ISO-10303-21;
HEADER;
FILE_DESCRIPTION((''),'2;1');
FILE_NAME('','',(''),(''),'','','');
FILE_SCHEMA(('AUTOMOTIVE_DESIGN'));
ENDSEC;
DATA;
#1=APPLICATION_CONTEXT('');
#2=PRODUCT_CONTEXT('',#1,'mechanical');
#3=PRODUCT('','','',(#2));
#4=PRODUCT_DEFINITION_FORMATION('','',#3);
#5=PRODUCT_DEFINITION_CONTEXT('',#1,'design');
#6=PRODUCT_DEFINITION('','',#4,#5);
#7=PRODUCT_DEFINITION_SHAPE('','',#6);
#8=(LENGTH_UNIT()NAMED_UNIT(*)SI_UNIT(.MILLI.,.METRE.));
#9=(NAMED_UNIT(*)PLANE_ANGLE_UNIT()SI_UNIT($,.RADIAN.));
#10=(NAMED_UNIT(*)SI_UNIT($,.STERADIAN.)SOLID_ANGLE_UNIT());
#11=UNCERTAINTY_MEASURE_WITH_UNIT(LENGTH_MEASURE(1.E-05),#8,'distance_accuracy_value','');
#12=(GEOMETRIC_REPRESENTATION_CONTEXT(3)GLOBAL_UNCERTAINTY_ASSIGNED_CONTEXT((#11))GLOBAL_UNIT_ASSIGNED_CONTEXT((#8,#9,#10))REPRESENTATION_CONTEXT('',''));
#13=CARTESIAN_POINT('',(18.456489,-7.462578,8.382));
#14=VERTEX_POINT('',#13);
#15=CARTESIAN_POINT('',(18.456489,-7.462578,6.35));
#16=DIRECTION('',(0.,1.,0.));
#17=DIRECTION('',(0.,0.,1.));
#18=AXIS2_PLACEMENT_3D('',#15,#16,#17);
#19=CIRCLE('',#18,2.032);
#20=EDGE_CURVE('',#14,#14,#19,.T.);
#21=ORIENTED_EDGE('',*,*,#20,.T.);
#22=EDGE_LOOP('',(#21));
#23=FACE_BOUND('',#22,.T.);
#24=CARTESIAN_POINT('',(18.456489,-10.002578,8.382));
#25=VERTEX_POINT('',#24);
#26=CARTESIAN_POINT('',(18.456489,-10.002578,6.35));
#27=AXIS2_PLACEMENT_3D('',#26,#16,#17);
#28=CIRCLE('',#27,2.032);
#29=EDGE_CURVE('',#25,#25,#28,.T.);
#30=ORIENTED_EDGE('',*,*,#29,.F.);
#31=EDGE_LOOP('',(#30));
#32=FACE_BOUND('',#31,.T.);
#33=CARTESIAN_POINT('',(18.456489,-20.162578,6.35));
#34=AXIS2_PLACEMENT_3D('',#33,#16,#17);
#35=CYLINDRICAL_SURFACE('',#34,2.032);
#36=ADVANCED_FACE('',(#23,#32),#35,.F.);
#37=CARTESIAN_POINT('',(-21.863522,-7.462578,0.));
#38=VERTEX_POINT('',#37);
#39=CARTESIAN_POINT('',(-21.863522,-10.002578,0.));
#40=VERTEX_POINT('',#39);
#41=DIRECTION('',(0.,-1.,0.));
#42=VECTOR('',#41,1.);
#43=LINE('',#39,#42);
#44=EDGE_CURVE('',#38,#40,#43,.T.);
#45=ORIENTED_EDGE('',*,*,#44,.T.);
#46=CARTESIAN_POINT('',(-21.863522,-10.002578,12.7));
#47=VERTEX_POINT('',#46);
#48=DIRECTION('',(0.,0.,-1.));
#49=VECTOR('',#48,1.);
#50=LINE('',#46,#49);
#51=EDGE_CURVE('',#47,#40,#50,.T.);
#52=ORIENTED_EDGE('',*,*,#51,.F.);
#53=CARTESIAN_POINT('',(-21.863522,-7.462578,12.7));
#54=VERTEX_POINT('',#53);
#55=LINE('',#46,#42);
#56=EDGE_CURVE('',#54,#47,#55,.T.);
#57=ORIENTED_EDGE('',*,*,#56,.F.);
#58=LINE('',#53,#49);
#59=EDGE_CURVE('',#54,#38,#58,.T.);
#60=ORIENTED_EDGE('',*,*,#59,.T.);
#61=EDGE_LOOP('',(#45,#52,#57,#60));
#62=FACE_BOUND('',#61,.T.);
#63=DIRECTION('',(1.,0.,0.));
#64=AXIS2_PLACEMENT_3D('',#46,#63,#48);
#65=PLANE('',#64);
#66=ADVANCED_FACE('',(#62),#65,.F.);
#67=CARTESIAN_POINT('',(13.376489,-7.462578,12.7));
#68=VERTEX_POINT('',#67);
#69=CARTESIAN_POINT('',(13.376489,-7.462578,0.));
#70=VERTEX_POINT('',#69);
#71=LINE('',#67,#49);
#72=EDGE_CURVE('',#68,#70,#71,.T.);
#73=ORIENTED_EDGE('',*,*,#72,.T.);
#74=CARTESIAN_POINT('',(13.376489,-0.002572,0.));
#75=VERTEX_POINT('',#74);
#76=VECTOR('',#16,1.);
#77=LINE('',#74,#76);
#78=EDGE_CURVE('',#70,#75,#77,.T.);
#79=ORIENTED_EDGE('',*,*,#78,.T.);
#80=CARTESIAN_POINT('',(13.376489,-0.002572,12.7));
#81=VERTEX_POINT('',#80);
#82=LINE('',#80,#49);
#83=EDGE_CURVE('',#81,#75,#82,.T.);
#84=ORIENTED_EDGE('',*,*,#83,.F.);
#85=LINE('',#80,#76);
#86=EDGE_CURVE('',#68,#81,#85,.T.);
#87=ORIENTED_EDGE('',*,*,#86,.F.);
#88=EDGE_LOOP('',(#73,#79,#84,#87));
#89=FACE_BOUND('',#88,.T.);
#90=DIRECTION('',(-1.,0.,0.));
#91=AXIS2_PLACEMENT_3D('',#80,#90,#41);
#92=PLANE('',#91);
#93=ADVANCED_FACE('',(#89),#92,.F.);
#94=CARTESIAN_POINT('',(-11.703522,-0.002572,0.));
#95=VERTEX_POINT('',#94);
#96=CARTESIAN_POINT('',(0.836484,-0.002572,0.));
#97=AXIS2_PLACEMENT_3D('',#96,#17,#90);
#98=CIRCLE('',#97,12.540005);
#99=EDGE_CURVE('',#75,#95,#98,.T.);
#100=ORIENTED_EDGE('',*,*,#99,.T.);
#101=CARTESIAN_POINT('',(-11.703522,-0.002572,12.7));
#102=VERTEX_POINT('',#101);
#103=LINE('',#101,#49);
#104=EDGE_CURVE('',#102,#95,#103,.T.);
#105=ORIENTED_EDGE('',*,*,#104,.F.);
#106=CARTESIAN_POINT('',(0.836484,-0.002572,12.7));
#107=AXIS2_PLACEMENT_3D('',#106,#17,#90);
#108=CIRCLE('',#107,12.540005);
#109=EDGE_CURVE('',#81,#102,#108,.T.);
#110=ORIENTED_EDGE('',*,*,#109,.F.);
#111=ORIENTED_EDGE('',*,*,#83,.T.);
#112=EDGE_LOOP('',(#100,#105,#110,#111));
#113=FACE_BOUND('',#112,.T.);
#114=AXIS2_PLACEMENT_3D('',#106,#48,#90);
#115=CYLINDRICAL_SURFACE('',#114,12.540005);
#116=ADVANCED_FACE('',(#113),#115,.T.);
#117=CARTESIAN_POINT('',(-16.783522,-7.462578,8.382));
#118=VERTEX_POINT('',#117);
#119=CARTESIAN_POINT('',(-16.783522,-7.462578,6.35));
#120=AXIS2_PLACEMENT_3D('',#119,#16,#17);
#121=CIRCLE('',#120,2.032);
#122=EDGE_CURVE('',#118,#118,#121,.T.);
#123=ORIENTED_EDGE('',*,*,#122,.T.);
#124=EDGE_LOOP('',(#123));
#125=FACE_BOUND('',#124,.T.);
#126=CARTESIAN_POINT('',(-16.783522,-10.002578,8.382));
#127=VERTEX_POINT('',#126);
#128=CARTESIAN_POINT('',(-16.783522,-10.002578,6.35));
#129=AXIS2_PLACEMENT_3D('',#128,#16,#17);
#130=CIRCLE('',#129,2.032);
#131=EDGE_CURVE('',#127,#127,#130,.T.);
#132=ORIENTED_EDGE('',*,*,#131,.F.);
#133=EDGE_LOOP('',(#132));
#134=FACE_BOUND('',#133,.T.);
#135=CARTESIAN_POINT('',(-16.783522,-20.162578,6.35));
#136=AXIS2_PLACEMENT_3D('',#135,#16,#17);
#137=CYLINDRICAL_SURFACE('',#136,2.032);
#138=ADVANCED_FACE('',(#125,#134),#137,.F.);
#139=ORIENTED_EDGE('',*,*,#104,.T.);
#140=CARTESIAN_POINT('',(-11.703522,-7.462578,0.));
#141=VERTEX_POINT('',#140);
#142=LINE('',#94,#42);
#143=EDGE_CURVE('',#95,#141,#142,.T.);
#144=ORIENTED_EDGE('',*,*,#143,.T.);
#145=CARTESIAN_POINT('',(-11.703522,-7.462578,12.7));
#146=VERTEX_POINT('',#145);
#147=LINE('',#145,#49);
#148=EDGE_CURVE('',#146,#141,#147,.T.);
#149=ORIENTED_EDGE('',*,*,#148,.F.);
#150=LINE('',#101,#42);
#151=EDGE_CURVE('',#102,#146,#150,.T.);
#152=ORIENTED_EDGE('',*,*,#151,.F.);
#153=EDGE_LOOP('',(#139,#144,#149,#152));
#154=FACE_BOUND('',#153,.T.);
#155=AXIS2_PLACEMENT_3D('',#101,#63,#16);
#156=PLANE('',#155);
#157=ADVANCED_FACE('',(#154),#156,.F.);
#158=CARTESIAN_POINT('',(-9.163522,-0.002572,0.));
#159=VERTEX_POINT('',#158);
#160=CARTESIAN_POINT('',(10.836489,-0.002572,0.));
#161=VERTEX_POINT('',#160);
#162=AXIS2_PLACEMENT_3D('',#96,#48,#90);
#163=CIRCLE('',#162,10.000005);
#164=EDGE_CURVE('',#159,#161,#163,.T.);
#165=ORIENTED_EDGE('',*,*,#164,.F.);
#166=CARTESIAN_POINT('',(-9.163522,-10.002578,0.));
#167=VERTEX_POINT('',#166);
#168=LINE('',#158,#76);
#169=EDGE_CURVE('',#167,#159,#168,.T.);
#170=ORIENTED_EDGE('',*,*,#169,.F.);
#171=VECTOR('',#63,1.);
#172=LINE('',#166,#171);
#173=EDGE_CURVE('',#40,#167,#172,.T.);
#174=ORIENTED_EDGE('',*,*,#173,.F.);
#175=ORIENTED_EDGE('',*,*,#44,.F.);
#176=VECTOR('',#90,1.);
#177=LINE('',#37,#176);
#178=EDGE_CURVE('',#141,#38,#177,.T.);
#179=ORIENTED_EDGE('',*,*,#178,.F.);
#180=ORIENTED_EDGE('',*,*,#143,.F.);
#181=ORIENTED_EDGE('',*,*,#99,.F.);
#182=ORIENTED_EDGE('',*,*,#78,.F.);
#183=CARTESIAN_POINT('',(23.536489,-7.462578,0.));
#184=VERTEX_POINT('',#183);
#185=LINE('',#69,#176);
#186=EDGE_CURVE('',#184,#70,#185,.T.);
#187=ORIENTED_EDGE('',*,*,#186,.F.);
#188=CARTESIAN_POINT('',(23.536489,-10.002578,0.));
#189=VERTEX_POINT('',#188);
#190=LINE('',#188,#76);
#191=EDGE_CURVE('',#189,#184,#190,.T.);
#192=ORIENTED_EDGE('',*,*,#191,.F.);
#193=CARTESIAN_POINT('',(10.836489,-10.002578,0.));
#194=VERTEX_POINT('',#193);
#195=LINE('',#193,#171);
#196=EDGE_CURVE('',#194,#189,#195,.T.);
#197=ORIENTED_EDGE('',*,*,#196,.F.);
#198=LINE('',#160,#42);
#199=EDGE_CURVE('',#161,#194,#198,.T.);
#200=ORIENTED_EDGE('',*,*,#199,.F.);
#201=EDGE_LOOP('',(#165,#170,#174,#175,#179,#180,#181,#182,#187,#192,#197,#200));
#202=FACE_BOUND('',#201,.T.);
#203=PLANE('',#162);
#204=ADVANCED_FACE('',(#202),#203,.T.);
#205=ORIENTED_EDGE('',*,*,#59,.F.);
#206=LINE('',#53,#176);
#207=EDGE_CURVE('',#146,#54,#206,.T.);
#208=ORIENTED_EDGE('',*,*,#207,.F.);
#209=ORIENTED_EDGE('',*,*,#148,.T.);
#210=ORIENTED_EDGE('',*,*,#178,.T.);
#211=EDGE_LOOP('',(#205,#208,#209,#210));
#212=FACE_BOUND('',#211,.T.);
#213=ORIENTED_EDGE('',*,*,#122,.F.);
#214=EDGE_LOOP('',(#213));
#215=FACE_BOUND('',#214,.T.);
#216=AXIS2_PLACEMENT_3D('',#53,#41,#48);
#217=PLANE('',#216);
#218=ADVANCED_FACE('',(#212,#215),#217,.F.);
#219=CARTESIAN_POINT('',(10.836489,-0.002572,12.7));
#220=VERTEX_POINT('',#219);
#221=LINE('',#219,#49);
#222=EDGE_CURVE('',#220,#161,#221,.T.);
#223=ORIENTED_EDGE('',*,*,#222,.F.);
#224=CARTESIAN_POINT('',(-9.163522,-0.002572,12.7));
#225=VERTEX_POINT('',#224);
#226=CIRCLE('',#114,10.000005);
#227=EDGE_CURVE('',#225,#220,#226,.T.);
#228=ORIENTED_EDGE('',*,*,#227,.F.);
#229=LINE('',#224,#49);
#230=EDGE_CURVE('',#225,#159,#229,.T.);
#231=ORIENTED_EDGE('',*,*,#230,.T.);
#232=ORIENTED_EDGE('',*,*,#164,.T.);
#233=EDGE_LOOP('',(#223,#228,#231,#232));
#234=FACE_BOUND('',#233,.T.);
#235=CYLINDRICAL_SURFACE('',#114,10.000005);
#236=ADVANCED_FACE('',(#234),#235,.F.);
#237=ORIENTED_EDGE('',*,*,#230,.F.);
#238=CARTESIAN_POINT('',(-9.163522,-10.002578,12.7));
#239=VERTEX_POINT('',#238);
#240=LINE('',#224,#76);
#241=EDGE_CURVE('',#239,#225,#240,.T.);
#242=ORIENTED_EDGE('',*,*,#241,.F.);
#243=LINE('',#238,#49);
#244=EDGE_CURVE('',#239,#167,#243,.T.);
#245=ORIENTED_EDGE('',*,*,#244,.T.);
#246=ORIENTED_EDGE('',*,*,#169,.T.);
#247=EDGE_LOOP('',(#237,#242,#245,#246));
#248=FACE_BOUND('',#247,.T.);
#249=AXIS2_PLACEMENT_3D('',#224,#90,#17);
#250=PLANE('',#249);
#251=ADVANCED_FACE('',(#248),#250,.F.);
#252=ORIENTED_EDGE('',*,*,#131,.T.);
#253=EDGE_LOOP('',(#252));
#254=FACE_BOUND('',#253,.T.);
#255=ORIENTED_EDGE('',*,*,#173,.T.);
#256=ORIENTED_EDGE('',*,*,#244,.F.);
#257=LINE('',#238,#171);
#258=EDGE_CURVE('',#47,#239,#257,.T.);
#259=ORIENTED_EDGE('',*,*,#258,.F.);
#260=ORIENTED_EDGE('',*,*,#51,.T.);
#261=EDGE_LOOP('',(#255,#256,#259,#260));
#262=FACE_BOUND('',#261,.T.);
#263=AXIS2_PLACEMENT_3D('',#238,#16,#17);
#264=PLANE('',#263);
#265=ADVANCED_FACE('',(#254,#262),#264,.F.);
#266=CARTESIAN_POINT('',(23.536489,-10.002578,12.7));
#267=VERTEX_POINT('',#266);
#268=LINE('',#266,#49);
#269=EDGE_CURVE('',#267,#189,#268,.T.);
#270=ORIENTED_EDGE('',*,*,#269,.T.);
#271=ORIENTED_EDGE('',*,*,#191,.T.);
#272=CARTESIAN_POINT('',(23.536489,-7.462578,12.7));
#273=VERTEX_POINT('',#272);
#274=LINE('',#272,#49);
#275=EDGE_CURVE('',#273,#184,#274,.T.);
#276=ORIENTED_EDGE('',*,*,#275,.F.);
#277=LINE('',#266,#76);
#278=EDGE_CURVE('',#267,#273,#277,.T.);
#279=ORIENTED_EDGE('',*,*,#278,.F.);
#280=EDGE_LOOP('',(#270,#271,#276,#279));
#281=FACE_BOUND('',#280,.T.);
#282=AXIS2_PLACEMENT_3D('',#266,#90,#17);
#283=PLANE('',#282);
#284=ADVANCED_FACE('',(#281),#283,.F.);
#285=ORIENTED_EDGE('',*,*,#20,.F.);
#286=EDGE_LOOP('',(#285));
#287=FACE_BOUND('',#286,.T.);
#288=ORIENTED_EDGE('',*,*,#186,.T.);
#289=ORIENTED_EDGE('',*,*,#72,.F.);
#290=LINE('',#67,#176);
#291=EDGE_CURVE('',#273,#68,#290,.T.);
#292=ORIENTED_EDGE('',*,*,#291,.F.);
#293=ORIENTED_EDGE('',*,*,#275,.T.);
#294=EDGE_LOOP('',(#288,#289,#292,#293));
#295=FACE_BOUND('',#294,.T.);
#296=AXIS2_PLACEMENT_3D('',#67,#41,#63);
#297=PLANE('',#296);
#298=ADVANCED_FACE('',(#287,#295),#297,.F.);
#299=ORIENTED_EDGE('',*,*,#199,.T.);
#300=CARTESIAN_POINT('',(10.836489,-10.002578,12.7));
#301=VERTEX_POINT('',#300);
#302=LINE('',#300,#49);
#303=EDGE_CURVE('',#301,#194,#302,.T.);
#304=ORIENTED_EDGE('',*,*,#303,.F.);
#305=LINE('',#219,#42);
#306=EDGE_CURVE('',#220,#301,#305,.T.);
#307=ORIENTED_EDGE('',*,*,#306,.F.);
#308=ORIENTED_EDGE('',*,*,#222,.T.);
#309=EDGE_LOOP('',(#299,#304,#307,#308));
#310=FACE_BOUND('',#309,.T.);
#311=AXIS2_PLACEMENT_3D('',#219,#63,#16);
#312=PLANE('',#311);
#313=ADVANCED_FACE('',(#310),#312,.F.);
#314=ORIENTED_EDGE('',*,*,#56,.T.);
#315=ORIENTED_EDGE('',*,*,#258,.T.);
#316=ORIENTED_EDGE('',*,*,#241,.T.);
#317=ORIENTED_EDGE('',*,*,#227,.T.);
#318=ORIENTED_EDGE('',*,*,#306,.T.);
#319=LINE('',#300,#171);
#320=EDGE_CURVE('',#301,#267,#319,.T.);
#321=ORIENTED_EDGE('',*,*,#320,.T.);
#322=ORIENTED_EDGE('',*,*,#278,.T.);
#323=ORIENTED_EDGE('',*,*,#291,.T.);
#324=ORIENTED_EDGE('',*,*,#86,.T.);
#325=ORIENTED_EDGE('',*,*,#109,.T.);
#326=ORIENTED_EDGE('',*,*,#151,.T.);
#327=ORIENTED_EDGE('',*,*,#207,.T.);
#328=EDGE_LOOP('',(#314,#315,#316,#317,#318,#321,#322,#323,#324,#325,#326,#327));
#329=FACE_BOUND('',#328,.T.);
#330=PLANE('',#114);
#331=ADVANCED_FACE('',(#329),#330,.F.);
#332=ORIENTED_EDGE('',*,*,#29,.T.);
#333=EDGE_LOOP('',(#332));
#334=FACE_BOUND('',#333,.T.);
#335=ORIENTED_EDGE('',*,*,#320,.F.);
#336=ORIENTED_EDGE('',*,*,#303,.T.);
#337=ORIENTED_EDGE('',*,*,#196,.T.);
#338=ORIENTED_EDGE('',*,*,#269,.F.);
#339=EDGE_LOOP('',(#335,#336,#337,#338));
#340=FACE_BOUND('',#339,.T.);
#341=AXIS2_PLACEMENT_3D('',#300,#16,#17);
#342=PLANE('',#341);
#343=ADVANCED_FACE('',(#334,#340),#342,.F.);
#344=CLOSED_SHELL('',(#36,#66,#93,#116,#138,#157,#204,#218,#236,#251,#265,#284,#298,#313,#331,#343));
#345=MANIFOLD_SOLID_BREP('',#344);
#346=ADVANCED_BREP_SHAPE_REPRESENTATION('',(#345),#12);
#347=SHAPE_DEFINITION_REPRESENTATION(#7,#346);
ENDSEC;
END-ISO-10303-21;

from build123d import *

# Parameters (mm, degrees)
BOSS_EXTRUDE1_DEPTH = 12.7
SKETCH3_R           = 2.032
CUT_EXTRUDE1_DEPTH  = 12.7


with BuildPart() as part:
    # Sketch1 → Boss-Extrude1 (new body)
    with BuildSketch(Plane.XY):
        with BuildLine():
            Line((-9.163521891, -0.002572295), (-9.163521891, -10.002577695))
            Line((-9.163521891, -10.002577695), (-21.863521891, -10.002577695))
            Line((-21.863521891, -10.002577695), (-21.863521891, -7.462577695))
            Line((-21.863521891, -7.462577695), (-11.703521891, -7.462577695))
            Line((-11.703521891, -7.462577695), (-11.703521891, -0.002572295))
            ThreePointArc((-11.703521891, -0.002572295), (0.836483509, 12.537433105), (13.376488909, -0.002572295))
            Line((13.376488909, -0.002572295), (13.376488909, -7.462577695))
            Line((13.376488909, -7.462577695), (23.536488909, -7.462577695))
            Line((23.536488909, -7.462577695), (23.536488909, -10.002577695))
            Line((23.536488909, -10.002577695), (10.836488909, -10.002577695))
            Line((10.836488909, -10.002577695), (10.836488909, -0.002572295))
            ThreePointArc((10.836488909, -0.002572295), (0.836483509, 9.997433105), (-9.163521891, -0.002572295))
        make_face()
    extrude(amount=BOSS_EXTRUDE1_DEPTH)

    # Sketch3 → Cut-Extrude1 (cut)
    with BuildSketch(Plane(origin=(0, -7.462577695, 0), x_dir=(1, 0, 0), z_dir=(0, 1, 0))):
        with Locations((-16.783521891, -6.35)):
            Circle(SKETCH3_R)
        with Locations((18.456488909, -6.35)):
            Circle(SKETCH3_R)
    extrude(amount=-CUT_EXTRUDE1_DEPTH, mode=Mode.SUBTRACT)


solid = part.part
